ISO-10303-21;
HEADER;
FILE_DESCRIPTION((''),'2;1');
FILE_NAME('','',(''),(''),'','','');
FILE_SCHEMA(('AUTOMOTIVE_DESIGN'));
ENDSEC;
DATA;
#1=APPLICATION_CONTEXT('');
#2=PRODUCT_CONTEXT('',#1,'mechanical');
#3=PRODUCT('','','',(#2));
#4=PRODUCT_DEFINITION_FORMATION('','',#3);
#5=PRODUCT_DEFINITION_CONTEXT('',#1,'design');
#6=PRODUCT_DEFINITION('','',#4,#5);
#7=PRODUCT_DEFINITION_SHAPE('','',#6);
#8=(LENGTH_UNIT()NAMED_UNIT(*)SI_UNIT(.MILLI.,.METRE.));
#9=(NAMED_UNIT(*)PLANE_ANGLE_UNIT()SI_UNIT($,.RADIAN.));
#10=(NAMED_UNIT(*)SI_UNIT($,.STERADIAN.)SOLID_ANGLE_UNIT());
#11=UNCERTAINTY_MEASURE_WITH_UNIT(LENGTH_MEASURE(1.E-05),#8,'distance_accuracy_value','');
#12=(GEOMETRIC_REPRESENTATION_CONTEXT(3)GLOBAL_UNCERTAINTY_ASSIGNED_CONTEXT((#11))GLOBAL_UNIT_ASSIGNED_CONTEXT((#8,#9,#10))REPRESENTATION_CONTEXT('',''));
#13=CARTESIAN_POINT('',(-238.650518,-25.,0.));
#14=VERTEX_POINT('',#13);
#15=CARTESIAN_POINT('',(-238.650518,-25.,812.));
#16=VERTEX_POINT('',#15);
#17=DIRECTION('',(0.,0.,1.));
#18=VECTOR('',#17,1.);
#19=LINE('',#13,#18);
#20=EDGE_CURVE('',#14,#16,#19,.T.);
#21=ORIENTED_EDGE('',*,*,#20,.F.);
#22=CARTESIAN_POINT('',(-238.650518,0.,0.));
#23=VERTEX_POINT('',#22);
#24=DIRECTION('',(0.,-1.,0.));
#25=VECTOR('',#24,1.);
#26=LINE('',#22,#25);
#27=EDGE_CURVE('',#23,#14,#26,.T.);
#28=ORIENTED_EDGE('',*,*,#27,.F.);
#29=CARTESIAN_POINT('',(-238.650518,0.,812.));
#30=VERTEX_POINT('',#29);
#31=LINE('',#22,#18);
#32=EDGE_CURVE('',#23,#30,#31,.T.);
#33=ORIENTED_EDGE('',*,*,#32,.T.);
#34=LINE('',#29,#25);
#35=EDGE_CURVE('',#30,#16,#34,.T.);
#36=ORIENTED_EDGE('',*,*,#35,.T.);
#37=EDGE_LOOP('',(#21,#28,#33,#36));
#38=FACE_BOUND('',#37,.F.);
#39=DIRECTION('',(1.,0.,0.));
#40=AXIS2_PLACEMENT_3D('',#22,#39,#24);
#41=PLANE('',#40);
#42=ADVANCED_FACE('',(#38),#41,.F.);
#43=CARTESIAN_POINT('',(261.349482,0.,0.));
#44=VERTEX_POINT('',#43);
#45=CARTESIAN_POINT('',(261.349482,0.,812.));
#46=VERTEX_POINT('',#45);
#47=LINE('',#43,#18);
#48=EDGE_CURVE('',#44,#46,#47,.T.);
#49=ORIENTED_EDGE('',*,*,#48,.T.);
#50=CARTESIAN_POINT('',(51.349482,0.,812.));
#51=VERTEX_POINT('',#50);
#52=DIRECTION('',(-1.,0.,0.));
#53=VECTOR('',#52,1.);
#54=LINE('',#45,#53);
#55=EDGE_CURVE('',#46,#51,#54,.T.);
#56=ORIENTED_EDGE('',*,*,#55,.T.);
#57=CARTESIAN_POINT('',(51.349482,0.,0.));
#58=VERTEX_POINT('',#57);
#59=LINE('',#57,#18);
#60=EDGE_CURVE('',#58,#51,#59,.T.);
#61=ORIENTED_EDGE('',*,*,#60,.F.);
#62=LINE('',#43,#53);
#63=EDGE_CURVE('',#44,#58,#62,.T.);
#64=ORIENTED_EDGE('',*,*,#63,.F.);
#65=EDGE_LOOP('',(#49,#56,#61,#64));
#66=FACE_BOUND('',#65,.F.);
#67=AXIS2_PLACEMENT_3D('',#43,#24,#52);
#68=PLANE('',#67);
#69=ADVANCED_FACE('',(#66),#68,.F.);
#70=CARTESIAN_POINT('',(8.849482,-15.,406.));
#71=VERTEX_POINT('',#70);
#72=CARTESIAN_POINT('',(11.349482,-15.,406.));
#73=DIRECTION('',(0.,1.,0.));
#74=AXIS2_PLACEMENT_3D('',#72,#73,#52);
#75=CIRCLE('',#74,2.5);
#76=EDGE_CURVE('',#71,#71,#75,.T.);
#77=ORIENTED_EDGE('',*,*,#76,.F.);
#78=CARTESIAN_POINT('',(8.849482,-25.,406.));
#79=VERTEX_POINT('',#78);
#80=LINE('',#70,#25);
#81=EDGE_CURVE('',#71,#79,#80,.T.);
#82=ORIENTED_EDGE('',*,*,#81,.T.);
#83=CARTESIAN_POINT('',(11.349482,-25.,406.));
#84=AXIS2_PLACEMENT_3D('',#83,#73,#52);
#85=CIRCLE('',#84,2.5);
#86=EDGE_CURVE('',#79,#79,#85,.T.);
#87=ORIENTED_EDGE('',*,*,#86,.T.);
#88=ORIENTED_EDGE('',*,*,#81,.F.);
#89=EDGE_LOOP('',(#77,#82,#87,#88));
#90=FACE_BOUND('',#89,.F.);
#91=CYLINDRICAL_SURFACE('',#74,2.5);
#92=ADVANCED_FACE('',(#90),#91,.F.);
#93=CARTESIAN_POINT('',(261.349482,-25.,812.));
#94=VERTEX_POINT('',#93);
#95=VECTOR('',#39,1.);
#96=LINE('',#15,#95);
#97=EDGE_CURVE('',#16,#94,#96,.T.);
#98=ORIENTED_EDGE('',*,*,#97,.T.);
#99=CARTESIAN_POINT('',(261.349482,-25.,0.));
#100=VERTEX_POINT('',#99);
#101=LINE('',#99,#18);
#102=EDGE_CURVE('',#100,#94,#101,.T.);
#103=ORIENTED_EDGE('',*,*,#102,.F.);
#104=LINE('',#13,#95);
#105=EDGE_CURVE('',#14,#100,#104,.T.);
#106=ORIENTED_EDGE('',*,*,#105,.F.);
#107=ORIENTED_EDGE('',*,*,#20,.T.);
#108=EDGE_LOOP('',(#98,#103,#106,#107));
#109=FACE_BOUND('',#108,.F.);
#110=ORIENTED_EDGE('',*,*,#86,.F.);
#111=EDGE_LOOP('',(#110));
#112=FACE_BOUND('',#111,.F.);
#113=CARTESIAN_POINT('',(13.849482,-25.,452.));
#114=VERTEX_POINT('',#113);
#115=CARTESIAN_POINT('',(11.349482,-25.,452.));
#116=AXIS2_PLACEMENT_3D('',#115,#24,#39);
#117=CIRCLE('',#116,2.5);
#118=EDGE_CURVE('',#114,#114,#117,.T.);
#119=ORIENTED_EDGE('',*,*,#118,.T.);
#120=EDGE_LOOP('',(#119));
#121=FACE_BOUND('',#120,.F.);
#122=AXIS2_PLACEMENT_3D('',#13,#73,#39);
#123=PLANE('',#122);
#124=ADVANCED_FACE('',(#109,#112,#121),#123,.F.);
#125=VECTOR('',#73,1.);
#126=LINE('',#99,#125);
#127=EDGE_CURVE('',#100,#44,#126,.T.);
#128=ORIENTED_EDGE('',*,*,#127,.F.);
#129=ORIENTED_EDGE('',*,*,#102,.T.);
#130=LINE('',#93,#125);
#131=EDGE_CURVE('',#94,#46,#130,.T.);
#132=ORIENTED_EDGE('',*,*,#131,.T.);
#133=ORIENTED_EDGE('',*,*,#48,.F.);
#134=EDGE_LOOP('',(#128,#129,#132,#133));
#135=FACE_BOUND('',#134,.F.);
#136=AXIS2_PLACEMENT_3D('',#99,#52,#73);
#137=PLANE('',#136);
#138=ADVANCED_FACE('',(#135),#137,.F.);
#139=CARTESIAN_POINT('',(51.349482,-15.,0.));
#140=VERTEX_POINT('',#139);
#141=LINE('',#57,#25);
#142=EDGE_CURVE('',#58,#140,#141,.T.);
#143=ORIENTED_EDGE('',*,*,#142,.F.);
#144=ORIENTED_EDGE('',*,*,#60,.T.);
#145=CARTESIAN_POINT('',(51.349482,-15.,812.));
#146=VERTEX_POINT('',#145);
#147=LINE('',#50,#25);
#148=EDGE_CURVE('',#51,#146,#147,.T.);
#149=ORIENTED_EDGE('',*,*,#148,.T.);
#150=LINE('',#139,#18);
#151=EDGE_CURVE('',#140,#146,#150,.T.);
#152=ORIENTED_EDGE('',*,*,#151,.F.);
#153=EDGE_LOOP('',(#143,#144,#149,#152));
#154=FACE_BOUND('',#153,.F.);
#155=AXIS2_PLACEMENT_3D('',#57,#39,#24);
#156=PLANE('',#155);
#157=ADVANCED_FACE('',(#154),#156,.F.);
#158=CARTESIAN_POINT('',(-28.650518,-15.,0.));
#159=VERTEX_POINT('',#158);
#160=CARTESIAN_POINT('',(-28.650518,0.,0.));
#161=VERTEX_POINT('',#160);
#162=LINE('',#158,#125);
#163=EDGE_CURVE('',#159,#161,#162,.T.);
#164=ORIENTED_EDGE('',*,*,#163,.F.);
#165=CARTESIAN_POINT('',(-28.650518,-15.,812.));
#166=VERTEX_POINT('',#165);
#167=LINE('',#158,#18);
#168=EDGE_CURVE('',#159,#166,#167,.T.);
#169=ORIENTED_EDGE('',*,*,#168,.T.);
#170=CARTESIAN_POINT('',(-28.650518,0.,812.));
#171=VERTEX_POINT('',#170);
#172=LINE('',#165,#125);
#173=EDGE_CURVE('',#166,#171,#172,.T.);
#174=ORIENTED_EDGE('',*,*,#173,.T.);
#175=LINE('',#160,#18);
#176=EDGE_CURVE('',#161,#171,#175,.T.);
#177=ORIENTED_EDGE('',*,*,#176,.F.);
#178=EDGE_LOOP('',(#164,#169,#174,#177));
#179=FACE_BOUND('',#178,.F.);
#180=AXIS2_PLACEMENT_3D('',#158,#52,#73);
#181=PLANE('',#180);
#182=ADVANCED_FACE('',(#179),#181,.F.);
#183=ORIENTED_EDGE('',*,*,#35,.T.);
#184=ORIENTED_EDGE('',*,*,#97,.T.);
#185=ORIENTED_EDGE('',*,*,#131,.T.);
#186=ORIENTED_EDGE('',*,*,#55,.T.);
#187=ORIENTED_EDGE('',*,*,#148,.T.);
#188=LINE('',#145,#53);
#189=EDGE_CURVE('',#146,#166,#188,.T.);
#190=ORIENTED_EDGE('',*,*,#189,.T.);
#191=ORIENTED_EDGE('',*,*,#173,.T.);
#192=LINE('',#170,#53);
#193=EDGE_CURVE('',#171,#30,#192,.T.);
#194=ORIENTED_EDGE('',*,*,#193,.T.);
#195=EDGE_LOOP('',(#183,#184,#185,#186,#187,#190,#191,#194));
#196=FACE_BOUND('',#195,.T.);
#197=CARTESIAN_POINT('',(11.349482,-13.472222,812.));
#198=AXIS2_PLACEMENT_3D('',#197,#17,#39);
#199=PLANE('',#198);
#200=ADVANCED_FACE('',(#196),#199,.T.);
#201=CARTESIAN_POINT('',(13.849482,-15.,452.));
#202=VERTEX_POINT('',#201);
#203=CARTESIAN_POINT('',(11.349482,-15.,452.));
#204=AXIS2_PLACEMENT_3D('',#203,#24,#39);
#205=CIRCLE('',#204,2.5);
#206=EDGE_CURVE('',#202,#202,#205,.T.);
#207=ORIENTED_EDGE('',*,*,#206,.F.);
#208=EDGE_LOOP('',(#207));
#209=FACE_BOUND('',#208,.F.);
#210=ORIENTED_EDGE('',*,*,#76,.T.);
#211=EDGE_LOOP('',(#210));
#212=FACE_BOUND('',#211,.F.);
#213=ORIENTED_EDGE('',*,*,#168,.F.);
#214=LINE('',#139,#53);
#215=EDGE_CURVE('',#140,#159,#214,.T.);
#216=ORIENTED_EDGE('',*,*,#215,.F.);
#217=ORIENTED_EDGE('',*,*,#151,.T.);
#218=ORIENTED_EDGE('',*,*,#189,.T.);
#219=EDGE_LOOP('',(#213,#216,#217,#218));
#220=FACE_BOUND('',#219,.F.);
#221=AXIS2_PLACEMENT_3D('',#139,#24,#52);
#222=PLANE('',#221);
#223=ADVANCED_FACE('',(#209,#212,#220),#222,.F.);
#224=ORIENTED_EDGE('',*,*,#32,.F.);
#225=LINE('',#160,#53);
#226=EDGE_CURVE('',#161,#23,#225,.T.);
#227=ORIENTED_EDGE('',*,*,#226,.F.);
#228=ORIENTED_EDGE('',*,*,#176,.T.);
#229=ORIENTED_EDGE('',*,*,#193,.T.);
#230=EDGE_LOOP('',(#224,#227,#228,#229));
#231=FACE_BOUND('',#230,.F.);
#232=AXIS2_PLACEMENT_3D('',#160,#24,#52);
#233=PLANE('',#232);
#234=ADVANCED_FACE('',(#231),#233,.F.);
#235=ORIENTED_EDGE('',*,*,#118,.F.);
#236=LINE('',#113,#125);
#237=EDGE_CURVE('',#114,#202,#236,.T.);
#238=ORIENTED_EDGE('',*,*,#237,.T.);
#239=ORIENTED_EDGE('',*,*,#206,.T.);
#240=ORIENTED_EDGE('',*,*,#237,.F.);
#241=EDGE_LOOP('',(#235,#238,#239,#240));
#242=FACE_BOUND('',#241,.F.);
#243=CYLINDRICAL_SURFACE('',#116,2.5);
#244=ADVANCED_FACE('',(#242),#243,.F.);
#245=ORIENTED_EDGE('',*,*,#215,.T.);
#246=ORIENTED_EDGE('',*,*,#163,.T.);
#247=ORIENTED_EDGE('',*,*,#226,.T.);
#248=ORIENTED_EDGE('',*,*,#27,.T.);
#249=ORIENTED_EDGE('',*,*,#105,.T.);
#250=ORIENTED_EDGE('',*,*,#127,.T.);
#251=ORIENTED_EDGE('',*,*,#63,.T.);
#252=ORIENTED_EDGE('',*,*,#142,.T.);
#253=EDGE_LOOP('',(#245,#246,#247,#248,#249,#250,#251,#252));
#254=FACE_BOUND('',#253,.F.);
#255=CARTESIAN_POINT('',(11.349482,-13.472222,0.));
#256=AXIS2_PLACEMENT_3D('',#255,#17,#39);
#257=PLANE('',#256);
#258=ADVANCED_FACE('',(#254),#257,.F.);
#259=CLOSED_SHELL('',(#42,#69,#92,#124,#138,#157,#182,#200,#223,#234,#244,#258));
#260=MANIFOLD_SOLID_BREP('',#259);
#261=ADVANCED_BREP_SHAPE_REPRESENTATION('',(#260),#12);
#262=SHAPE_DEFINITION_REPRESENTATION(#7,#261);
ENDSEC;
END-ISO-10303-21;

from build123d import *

# Parameters (mm, degrees)
F1_DEPTH = 812
F2_R     = 2.5
F3_DEPTH = 10.001
F4_R     = 2.5
F5_DEPTH = 25.001


with BuildPart() as f1:
    # F0 (on Top) → F1 (new body)
    with BuildSketch(Plane.XY):
        Polygon((-28.650518, 0), (-238.650518, 0), (-238.650518, -25), (261.349482, -25), (261.349482, 0), (51.349482, 0), (51.349482, -15), (-28.650518, -15), align=None)
    extrude(amount=F1_DEPTH)

    # F2 (on face) → F3 (cut, through all)
    with BuildSketch(Plane(origin=(0, -15, 0), x_dir=(-1, 0, 0), z_dir=(0, 1, 0))):
        with Locations((-11.349482, 406)):
            Circle(F2_R)
    extrude(amount=-F3_DEPTH, mode=Mode.SUBTRACT)

    # F4 (on face) → F5 (cut, through all)
    with BuildSketch(Plane.XZ.offset(25)):
        with Locations((11.349482, 452)):
            Circle(F4_R)
    extrude(amount=-F5_DEPTH, mode=Mode.SUBTRACT)


solid = f1.part
